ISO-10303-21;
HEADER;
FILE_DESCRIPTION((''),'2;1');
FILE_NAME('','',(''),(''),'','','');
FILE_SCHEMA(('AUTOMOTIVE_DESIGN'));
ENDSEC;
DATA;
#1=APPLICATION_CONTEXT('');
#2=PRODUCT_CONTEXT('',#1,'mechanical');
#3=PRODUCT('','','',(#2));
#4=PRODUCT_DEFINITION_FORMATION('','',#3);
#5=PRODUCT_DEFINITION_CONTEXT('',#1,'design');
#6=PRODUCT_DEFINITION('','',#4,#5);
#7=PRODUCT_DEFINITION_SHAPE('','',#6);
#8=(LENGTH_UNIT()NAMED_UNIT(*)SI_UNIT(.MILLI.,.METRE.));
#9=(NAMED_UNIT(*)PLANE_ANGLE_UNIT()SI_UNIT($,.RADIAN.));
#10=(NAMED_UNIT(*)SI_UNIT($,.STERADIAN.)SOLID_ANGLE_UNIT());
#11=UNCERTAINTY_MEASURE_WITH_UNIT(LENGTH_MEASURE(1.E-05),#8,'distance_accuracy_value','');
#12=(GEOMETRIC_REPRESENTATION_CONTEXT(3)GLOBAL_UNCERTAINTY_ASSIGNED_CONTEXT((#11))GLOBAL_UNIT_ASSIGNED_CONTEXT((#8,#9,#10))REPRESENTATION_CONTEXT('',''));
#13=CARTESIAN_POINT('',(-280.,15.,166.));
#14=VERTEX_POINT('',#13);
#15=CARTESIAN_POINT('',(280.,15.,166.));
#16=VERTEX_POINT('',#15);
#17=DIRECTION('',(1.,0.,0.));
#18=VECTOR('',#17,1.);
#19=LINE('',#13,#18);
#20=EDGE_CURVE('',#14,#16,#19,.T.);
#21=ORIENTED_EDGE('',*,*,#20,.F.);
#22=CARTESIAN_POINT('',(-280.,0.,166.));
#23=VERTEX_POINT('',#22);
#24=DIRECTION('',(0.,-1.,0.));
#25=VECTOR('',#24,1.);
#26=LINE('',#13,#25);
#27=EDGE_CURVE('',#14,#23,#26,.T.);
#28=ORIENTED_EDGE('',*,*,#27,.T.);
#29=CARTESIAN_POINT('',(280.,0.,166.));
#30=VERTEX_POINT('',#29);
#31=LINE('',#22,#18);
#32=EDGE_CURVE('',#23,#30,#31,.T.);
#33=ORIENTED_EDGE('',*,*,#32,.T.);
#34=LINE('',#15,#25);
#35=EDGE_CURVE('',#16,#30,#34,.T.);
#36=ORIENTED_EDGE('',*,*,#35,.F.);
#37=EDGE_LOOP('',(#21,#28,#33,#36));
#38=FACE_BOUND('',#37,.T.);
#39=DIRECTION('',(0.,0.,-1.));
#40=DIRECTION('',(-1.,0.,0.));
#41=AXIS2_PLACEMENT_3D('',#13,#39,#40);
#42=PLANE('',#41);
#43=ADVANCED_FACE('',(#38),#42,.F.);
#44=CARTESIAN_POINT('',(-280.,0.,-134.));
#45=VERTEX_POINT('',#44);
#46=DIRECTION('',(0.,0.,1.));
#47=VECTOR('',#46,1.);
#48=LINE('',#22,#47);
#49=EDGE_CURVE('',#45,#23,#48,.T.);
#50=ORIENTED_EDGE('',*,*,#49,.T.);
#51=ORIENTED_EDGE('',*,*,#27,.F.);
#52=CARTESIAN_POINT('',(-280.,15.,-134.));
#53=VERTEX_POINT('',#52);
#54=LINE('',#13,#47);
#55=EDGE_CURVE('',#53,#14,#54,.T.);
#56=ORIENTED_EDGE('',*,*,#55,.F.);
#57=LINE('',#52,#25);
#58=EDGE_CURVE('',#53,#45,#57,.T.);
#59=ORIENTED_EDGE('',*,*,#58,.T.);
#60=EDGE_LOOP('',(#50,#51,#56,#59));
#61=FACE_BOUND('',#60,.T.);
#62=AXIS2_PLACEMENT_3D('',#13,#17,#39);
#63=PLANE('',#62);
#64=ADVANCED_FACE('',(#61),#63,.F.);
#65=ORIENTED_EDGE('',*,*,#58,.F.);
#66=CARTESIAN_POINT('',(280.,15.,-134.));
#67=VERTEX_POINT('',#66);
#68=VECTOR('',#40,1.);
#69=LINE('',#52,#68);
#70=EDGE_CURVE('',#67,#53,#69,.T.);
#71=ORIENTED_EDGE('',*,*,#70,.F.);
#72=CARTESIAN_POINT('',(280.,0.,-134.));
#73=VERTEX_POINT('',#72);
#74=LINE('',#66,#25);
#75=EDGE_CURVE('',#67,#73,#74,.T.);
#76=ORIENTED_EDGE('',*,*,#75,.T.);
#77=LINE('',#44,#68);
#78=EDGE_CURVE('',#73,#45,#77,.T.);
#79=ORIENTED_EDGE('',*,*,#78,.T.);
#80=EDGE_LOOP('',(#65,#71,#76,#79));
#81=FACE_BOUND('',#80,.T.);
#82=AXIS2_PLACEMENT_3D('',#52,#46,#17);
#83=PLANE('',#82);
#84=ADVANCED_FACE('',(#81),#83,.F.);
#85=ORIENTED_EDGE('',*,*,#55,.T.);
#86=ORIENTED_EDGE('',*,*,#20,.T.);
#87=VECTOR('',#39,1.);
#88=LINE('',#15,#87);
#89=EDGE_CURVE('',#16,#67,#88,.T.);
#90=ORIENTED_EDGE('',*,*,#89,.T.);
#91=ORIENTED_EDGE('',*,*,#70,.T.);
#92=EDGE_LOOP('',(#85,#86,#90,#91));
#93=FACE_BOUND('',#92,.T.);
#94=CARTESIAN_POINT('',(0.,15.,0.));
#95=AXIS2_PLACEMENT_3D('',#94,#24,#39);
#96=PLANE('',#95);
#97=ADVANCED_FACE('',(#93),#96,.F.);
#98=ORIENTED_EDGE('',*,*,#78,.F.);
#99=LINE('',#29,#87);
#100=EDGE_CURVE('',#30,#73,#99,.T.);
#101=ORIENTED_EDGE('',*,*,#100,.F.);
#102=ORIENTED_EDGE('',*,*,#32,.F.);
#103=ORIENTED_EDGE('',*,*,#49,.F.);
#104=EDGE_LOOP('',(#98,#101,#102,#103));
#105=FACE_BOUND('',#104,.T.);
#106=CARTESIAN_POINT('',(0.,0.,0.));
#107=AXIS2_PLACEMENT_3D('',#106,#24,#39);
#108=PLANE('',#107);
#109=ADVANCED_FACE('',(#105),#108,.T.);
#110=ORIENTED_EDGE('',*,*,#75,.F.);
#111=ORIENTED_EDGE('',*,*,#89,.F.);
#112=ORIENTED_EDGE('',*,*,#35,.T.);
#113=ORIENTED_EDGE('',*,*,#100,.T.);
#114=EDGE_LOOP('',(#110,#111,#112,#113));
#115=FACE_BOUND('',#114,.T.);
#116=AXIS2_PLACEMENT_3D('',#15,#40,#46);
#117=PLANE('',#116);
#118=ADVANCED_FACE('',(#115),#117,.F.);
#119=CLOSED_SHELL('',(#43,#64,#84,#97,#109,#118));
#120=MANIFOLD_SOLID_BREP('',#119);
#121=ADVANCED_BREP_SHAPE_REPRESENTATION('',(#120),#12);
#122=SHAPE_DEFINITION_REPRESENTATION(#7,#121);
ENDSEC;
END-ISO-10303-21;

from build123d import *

# Parameters (mm, degrees)
SKIZZE1_W                       = 560
SKIZZE1_H                       = 300
AUFSATZ_LINEAR_AUSTRAGEN1_DEPTH = 15


with BuildPart() as part:
    # Skizze1 → Aufsatz-Linear austragen1 (new body)
    with BuildSketch(Plane(origin=(0, 0, 0), x_dir=(1, 0, 0), z_dir=(0, 1, 0))):
        with Locations((0, -16)):
            Rectangle(SKIZZE1_W, SKIZZE1_H)
    extrude(amount=AUFSATZ_LINEAR_AUSTRAGEN1_DEPTH)


solid = part.part
